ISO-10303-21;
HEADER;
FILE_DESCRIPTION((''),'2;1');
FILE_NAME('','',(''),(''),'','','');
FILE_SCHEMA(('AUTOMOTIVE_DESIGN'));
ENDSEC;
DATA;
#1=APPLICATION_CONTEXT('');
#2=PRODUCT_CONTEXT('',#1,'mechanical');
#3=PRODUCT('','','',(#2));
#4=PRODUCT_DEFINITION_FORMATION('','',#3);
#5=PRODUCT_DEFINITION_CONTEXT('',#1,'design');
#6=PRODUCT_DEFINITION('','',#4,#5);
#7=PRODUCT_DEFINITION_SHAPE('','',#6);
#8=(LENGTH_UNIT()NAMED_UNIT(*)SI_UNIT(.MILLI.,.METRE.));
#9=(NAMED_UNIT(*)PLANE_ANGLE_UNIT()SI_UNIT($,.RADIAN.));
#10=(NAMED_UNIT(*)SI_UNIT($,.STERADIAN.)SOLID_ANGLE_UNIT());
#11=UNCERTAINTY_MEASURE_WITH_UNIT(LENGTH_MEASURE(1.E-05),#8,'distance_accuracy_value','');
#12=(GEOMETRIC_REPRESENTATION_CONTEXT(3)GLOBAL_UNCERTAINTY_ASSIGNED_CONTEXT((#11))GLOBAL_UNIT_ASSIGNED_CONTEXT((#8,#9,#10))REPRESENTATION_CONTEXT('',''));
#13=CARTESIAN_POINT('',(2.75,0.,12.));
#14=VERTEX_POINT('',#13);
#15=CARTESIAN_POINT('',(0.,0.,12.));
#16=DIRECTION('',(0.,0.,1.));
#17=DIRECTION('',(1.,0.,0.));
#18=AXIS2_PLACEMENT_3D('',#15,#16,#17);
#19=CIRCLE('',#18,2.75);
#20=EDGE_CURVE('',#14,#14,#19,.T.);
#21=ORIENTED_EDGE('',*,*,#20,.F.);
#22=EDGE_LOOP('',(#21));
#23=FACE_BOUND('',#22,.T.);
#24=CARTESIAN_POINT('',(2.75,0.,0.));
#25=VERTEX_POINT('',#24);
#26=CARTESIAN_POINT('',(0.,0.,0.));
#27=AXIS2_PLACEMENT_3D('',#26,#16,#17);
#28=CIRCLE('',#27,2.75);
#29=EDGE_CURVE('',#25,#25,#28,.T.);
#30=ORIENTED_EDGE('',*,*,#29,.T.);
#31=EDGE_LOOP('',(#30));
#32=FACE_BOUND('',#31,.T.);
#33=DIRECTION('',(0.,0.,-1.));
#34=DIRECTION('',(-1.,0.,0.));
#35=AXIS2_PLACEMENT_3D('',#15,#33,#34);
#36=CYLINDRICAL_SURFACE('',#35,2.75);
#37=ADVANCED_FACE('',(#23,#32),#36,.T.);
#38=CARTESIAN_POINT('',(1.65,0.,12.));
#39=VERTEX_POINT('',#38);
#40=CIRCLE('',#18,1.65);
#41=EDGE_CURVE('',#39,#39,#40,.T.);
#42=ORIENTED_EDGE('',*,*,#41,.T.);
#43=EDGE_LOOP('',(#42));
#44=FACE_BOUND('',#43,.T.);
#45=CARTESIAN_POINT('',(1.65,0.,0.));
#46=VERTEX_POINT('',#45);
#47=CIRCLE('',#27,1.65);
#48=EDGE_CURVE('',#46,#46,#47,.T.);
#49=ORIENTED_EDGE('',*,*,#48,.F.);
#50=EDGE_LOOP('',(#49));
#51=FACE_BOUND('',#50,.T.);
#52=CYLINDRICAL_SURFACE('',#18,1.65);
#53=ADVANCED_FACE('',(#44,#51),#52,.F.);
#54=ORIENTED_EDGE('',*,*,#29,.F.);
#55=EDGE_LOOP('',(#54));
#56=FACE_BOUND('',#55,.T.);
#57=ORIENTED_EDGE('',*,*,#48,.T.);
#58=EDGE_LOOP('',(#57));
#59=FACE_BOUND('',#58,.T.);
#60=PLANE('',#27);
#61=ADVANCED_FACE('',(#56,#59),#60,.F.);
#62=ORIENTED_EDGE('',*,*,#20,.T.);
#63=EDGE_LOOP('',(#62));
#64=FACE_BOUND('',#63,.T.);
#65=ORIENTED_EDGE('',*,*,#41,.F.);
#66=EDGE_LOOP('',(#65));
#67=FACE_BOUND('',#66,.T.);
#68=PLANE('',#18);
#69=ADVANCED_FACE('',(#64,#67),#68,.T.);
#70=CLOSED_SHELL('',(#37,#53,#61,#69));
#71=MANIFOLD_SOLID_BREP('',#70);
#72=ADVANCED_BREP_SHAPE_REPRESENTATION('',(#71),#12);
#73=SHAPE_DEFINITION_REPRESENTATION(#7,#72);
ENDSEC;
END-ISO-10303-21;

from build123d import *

# Parameters (mm, degrees)
SKETCH_1_R         = 2.75
EXTRUDE_1_DEPTH    = 12
HOLE_WIZARD_M4_1_D = 3.3


with BuildPart() as part:
    # 草图1 → 凸台-拉伸1 (new body)
    with BuildSketch(Plane.XY):
        Circle(SKETCH_1_R)
    extrude(amount=EXTRUDE_1_DEPTH)

    # M4 螺纹孔1 (through all)
    with Locations(Plane.XY.offset(12)):
        with Locations((0, 0)):
            Hole(HOLE_WIZARD_M4_1_D / 2)


solid = part.part
